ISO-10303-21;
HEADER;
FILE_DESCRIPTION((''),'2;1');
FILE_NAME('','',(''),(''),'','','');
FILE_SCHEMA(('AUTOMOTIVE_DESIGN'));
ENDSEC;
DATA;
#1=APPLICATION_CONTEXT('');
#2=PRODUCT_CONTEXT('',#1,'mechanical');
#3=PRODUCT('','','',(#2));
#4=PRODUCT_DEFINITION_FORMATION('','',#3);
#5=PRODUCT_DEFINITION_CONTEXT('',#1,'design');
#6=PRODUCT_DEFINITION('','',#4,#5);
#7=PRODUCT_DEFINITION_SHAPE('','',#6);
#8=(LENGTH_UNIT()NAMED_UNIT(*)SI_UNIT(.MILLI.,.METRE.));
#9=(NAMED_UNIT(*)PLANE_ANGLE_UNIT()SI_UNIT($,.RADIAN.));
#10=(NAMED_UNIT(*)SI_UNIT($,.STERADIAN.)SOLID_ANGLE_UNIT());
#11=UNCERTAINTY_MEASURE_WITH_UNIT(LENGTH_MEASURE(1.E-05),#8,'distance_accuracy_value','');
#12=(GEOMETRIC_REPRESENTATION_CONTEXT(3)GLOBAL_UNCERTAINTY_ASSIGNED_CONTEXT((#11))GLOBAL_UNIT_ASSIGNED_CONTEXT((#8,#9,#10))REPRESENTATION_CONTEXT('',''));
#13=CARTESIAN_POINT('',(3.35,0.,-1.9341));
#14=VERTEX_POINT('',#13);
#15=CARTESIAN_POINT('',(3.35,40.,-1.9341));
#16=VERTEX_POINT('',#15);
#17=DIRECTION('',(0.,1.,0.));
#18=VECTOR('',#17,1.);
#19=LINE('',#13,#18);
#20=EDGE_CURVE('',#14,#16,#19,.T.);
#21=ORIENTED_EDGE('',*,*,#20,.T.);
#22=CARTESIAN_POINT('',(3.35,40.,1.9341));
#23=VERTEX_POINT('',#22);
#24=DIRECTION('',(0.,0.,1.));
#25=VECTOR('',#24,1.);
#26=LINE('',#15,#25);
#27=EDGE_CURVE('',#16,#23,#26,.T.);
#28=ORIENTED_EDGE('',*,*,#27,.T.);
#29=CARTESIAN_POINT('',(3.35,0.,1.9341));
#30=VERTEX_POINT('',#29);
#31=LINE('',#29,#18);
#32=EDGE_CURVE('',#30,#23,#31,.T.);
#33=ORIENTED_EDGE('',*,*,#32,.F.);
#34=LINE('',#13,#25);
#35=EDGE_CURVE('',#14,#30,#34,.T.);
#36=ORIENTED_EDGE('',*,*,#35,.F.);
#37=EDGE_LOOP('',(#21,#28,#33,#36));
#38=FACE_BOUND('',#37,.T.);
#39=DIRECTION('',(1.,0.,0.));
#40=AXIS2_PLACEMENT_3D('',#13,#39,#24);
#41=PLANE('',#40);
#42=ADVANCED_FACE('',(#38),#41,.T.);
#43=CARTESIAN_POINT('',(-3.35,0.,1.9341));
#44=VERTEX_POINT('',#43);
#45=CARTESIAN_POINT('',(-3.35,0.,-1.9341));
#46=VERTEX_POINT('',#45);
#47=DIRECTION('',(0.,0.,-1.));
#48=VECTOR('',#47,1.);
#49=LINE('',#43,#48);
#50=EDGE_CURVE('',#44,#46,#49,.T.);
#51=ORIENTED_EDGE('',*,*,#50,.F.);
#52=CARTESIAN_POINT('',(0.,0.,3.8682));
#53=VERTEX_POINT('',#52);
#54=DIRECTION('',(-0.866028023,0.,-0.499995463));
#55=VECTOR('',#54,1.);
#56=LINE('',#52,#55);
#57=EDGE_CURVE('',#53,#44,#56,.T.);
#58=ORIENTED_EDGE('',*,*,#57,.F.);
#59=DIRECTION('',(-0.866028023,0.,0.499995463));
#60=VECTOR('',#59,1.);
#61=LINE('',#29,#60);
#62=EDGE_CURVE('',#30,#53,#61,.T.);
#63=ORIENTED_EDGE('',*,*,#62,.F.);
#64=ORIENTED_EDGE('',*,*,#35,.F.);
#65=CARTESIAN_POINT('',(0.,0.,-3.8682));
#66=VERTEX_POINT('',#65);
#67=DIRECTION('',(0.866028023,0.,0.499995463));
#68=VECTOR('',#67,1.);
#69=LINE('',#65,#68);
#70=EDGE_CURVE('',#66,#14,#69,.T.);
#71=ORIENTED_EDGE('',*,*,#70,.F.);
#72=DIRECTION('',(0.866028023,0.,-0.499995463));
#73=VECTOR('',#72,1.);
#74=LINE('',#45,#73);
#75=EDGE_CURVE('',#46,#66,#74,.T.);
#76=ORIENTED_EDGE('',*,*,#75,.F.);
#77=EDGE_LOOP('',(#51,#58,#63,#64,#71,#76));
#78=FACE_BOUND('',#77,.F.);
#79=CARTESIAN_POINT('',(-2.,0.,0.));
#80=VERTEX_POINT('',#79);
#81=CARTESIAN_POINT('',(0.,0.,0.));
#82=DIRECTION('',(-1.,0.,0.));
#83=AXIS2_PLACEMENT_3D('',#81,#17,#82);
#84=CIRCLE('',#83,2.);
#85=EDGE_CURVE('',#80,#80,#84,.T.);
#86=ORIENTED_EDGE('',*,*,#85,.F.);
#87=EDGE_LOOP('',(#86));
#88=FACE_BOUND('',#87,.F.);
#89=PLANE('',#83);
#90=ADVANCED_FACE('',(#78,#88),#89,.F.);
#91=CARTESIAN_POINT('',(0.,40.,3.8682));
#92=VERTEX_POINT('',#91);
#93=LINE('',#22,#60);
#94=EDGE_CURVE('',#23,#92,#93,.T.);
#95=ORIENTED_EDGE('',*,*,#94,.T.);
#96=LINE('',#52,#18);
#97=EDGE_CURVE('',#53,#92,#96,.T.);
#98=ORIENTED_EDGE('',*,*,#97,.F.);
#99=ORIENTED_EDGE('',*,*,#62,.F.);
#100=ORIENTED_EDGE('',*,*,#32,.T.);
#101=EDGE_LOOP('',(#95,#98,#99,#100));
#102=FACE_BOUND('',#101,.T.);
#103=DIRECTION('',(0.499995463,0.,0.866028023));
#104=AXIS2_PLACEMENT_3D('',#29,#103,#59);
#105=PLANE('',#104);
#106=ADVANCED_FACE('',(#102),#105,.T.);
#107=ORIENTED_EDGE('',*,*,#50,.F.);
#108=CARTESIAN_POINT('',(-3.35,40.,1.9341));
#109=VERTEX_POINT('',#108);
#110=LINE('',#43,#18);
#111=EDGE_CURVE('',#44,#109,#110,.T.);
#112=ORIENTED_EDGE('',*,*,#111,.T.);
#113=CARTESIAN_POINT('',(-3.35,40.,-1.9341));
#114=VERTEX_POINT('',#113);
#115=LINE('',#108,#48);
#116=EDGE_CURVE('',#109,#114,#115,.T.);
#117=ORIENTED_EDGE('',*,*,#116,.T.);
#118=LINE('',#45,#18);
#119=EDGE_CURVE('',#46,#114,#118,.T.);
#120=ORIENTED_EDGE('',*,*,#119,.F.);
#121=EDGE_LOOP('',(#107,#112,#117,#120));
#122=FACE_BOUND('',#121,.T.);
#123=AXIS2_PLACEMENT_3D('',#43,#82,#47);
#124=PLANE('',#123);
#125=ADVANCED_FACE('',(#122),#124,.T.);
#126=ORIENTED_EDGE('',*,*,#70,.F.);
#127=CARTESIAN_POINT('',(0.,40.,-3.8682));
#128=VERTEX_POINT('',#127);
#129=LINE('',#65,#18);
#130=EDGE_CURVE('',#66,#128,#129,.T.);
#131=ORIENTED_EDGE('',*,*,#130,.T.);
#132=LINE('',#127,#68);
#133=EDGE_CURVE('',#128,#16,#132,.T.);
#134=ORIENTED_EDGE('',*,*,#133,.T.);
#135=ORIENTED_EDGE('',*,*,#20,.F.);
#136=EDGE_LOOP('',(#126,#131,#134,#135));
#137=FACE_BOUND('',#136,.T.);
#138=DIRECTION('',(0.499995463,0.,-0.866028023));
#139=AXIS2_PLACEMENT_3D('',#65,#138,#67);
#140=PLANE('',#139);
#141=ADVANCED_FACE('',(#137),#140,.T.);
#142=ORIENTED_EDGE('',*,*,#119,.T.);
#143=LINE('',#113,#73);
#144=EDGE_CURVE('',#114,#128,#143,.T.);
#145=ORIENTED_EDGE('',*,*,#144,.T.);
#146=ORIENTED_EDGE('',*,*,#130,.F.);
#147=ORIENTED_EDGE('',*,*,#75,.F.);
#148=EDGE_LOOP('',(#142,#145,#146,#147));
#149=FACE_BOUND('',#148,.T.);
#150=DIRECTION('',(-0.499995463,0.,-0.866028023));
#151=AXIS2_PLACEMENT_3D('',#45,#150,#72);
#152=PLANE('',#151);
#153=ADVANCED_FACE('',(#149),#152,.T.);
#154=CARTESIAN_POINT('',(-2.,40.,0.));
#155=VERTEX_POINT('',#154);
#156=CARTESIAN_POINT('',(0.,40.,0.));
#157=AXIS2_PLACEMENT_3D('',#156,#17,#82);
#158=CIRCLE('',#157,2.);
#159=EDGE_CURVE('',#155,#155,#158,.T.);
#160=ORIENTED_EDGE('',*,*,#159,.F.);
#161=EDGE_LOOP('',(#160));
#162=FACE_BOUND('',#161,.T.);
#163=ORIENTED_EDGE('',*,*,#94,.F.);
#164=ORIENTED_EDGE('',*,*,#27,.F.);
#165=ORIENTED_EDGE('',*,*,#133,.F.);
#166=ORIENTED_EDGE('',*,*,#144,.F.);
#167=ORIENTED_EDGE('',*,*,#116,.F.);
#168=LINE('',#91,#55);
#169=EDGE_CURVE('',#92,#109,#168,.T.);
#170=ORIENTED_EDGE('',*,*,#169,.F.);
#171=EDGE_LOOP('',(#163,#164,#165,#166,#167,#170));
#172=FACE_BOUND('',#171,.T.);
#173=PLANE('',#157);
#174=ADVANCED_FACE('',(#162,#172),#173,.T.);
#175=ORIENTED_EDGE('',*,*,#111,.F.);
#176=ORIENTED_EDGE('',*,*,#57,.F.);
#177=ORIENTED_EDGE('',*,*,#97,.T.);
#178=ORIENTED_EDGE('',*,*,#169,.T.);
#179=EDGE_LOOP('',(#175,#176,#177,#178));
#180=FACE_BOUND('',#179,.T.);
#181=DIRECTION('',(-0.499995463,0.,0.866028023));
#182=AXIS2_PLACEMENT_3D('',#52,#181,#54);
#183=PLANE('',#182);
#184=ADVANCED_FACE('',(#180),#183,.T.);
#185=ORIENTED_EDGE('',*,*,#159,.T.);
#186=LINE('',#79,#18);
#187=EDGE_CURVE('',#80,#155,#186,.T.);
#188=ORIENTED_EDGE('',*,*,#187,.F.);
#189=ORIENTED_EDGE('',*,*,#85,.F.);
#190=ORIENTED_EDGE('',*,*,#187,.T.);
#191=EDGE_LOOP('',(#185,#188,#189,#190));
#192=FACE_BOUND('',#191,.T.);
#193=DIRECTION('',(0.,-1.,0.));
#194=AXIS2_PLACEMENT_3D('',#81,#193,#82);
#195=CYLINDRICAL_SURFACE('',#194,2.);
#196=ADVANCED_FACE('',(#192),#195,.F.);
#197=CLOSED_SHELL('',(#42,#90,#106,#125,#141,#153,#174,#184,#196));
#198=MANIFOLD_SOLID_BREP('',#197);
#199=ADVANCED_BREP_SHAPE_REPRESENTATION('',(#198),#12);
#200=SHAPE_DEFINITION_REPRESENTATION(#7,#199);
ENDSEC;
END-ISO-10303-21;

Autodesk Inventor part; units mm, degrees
ref_plane "YZ Plane" through (0, 0, 0) normal (1, 0, 0) x (0, 1, 0)
ref_plane "XZ Plane" through (0, 0, 0) normal (0, 1, 0) x (-1, 0, 0)
ref_plane "XY Plane" through (0, 0, 0) normal (0, 0, 1) x (1, 0, 0)
sketch "Эскиз1" plane through (0, 0, 0) normal (0, 1, 0) x (-1, 0, 0)
  line L0 (3.35, 1.9341) -> (3.35, -1.9341)
  line L1 (3.35, -1.9341) -> (0, -3.8682)
  line L2 (0, -3.8682) -> (-3.35, -1.9341)
  line L3 (-3.35, -1.9341) -> (-3.35, 1.9341)
  line L4 (-3.35, 1.9341) -> (0, 3.8682)
  line L5 (0, 3.8682) -> (3.35, 1.9341)
  circle A0 centre (0, 0) radius 2
  dimension "d0" = 6.7
  dimension "d1" = 6.7
  dimension "d2" = 4
extrude "Выдавливание1" add sketch "Эскиз1" along normal blind 40
thread "Резьба1" size "M4x0.7" class "6H" standard "ANSI Metric M Profile" full length
equation "\"d0\" = d1"
properties part number "stoyka_40mm"
